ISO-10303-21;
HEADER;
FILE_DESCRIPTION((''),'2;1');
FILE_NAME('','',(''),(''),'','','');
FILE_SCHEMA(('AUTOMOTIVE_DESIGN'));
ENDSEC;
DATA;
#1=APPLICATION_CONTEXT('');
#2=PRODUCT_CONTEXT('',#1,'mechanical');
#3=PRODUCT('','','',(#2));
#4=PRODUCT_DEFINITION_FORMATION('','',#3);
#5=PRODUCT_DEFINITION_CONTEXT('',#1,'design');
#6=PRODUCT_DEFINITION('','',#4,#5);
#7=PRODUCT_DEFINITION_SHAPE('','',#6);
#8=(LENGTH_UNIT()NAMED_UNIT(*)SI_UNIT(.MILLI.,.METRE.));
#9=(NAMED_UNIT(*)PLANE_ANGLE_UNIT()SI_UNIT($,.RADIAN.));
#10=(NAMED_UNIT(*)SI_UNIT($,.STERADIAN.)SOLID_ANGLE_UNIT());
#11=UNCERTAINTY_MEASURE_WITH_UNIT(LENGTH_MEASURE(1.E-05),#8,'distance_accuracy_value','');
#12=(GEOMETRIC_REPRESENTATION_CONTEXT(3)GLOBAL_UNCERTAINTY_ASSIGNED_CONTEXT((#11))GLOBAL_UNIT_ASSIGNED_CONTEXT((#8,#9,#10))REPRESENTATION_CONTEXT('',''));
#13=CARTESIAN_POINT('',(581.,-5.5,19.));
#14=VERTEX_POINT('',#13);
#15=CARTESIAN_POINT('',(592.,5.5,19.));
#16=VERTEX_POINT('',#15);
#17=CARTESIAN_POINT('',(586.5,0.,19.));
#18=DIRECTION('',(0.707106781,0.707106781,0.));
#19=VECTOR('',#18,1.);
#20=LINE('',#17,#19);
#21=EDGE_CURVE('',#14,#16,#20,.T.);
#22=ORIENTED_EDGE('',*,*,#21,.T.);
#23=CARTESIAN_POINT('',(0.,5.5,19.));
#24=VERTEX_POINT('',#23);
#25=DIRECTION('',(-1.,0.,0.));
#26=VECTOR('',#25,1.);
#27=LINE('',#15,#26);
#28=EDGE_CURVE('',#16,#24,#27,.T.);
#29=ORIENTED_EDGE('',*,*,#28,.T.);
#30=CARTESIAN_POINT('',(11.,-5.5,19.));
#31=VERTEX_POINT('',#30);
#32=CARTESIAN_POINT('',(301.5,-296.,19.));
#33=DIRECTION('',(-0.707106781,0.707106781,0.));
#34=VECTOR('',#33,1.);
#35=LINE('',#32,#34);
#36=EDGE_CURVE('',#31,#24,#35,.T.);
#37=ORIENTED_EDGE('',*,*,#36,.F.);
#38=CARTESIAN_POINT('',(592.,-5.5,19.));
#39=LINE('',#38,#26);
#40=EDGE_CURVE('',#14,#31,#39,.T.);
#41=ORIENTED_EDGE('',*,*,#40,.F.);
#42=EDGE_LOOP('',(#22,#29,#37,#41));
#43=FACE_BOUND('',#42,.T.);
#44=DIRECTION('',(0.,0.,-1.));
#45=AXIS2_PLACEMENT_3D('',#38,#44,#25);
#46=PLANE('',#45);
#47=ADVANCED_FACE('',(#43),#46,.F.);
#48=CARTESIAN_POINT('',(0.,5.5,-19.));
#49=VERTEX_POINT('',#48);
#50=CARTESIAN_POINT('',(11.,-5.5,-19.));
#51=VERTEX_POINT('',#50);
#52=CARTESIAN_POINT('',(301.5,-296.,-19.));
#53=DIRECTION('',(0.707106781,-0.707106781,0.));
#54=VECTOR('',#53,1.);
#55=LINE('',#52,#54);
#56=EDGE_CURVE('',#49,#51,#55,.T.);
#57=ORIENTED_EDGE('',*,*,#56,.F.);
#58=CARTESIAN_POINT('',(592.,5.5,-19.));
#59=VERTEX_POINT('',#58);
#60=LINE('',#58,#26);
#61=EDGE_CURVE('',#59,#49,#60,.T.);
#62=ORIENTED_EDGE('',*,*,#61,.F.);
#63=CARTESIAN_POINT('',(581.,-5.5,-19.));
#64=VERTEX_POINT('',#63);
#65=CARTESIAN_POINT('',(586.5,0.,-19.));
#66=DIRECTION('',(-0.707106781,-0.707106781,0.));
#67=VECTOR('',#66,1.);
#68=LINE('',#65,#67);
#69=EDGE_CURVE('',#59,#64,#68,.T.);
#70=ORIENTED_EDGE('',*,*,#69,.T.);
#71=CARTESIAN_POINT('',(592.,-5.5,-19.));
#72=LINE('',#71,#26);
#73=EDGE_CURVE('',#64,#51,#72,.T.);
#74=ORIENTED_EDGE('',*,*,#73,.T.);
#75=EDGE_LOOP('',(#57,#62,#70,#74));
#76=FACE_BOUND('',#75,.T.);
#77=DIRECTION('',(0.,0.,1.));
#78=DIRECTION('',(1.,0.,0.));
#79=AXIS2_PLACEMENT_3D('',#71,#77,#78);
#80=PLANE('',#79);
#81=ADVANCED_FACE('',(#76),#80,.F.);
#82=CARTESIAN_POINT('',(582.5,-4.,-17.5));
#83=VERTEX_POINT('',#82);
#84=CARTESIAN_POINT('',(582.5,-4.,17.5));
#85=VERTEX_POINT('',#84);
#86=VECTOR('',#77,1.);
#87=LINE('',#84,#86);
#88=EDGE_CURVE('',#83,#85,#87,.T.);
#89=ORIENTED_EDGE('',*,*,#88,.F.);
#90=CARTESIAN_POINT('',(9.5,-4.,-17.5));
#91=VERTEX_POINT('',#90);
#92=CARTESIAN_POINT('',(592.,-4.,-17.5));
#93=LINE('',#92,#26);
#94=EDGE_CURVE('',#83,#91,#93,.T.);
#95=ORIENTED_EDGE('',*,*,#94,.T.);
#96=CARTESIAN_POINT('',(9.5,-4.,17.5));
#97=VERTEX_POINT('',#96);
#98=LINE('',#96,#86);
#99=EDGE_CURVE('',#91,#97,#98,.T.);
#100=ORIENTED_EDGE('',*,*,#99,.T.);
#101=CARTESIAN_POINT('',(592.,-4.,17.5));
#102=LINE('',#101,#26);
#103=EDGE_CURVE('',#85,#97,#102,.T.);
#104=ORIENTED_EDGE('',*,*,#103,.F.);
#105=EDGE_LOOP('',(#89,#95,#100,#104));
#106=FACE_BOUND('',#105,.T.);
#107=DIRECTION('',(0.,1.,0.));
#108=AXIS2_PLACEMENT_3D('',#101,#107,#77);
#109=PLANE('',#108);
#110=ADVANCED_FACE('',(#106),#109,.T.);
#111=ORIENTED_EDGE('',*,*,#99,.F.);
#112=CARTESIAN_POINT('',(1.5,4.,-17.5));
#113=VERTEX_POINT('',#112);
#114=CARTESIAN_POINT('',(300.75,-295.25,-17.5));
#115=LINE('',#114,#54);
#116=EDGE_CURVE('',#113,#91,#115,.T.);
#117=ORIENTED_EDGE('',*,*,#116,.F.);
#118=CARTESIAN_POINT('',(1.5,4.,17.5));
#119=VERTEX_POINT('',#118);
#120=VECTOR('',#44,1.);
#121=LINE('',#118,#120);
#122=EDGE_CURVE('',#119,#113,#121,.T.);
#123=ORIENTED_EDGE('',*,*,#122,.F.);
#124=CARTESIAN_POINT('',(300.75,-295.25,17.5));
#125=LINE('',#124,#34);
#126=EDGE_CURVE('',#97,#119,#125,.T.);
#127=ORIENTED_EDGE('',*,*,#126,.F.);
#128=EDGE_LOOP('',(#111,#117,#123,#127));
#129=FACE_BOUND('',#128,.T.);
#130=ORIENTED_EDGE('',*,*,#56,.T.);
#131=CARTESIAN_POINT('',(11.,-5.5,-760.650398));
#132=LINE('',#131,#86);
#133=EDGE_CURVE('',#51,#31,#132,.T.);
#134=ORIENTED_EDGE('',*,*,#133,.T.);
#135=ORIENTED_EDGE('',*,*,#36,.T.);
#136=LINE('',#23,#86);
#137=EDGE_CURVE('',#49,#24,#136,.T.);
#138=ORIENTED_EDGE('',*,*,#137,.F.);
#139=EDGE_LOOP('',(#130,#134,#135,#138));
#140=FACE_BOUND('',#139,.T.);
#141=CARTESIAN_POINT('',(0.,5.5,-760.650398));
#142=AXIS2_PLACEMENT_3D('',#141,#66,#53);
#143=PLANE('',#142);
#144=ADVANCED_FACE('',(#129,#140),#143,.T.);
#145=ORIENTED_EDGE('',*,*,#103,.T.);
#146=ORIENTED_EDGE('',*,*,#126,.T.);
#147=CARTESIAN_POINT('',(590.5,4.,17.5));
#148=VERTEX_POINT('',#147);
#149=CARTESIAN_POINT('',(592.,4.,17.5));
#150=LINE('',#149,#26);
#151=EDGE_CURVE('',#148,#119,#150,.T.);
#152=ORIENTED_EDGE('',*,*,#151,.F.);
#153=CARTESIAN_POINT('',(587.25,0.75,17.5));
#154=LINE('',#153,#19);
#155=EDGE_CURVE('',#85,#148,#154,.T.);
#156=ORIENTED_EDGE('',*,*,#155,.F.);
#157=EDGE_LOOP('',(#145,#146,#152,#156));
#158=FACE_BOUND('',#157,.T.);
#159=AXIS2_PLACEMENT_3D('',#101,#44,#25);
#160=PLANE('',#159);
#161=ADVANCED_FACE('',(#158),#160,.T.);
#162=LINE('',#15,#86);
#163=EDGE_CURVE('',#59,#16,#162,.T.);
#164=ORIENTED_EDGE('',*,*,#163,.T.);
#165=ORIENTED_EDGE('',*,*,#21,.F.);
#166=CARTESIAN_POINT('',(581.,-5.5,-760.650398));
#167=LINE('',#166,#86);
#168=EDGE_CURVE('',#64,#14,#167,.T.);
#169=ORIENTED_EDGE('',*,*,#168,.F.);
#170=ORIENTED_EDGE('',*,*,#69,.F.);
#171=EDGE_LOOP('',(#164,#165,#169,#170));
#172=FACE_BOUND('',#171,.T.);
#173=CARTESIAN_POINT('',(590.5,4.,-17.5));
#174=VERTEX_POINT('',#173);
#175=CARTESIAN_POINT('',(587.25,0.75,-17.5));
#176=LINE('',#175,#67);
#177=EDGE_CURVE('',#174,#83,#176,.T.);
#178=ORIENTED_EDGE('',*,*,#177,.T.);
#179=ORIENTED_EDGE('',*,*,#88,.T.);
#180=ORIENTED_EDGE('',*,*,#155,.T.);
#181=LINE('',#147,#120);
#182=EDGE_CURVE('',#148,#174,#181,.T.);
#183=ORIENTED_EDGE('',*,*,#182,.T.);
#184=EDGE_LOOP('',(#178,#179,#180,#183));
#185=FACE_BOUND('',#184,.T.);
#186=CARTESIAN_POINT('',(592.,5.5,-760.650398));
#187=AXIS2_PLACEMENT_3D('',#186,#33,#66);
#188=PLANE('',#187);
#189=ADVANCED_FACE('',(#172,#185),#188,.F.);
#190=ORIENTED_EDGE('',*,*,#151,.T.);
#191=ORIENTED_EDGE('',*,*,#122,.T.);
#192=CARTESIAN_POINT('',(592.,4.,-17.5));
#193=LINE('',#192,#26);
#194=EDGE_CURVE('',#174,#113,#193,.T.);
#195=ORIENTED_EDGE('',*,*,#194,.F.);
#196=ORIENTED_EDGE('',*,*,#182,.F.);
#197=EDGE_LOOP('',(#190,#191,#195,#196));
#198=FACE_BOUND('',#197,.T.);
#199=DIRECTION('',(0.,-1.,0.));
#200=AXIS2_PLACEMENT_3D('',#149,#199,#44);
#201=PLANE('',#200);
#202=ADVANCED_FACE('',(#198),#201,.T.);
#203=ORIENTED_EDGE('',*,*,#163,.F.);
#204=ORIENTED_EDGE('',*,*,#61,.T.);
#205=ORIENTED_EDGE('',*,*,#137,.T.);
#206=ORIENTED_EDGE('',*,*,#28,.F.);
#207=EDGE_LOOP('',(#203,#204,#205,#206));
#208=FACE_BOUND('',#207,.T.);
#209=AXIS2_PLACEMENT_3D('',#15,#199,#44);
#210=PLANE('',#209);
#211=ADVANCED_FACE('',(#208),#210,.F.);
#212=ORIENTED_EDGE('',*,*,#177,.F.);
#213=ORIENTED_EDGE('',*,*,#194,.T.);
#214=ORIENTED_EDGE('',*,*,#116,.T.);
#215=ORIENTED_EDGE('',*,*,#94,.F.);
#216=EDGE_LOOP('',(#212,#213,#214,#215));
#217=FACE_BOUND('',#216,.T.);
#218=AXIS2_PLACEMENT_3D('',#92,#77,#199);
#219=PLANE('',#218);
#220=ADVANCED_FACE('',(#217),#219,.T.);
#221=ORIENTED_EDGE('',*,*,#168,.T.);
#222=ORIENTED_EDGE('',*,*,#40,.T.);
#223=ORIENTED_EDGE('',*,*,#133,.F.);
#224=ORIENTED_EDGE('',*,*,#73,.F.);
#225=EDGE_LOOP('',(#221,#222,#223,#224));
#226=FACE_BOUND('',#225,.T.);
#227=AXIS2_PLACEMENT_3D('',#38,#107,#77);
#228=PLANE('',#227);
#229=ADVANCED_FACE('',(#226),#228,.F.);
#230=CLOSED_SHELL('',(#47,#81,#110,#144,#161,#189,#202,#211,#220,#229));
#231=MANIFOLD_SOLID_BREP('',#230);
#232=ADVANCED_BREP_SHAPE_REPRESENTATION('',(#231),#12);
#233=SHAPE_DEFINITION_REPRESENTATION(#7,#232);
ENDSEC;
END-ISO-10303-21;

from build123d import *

# Parameters (mm, degrees)
SKETCH1_W               = 38
SKETCH1_H               = 11
SKETCH1_W_2             = 35
SKETCH1_H_2             = 8
BOSS_EXTRUDE1_DEPTH     = 592
CUT_EXTRUDE1_DEPTH      = 1
CUT_EXTRUDE1_DEPTH_BACK = 39
CUT_EXTRUDE3_DEPTH      = 1
CUT_EXTRUDE3_DEPTH_BACK = 39


with BuildPart() as part:
    # Sketch1 → Boss-Extrude1 (new body)
    with BuildSketch(Plane(origin=(0, 0, 0), x_dir=(0, 0, -1), z_dir=(1, 0, 0))):
        Rectangle(SKETCH1_W, SKETCH1_H)
        Rectangle(SKETCH1_W_2, SKETCH1_H_2, mode=Mode.SUBTRACT)
    extrude(amount=BOSS_EXTRUDE1_DEPTH)

    # Sketch2 → Cut-Extrude1 (cut, two sides)
    with BuildSketch(Plane(origin=(0, 0, -19), x_dir=(-1, 0, 0), z_dir=(0, 0, -1))) as cut_extrude1_sk:
        Polygon((844.430011157, 849.930011157), (0, 5.5), (-11, -5.5), (-855.430011157, -849.930011157), (833.430011157, -2538.790033471), (2533.290033471, -838.930011157), align=None)
    extrude(amount=CUT_EXTRUDE1_DEPTH, mode=Mode.SUBTRACT)
    extrude(cut_extrude1_sk.sketch, amount=-CUT_EXTRUDE1_DEPTH_BACK, mode=Mode.SUBTRACT)

    # Sketch3 → Cut-Extrude3 (cut, two sides)
    with BuildSketch(Plane(origin=(0, 0, -19), x_dir=(-1, 0, 0), z_dir=(0, 0, -1))) as cut_extrude3_sk:
        Polygon((-1436.430011157, 849.930011157), (-592, 5.5), (-581, -5.5), (263.430011157, -849.930011157), (-1425.430011157, -2538.790033471), (-3125.290033471, -838.930011157), align=None)
    extrude(amount=CUT_EXTRUDE3_DEPTH, mode=Mode.SUBTRACT)
    extrude(cut_extrude3_sk.sketch, amount=-CUT_EXTRUDE3_DEPTH_BACK, mode=Mode.SUBTRACT)


solid = part.part
